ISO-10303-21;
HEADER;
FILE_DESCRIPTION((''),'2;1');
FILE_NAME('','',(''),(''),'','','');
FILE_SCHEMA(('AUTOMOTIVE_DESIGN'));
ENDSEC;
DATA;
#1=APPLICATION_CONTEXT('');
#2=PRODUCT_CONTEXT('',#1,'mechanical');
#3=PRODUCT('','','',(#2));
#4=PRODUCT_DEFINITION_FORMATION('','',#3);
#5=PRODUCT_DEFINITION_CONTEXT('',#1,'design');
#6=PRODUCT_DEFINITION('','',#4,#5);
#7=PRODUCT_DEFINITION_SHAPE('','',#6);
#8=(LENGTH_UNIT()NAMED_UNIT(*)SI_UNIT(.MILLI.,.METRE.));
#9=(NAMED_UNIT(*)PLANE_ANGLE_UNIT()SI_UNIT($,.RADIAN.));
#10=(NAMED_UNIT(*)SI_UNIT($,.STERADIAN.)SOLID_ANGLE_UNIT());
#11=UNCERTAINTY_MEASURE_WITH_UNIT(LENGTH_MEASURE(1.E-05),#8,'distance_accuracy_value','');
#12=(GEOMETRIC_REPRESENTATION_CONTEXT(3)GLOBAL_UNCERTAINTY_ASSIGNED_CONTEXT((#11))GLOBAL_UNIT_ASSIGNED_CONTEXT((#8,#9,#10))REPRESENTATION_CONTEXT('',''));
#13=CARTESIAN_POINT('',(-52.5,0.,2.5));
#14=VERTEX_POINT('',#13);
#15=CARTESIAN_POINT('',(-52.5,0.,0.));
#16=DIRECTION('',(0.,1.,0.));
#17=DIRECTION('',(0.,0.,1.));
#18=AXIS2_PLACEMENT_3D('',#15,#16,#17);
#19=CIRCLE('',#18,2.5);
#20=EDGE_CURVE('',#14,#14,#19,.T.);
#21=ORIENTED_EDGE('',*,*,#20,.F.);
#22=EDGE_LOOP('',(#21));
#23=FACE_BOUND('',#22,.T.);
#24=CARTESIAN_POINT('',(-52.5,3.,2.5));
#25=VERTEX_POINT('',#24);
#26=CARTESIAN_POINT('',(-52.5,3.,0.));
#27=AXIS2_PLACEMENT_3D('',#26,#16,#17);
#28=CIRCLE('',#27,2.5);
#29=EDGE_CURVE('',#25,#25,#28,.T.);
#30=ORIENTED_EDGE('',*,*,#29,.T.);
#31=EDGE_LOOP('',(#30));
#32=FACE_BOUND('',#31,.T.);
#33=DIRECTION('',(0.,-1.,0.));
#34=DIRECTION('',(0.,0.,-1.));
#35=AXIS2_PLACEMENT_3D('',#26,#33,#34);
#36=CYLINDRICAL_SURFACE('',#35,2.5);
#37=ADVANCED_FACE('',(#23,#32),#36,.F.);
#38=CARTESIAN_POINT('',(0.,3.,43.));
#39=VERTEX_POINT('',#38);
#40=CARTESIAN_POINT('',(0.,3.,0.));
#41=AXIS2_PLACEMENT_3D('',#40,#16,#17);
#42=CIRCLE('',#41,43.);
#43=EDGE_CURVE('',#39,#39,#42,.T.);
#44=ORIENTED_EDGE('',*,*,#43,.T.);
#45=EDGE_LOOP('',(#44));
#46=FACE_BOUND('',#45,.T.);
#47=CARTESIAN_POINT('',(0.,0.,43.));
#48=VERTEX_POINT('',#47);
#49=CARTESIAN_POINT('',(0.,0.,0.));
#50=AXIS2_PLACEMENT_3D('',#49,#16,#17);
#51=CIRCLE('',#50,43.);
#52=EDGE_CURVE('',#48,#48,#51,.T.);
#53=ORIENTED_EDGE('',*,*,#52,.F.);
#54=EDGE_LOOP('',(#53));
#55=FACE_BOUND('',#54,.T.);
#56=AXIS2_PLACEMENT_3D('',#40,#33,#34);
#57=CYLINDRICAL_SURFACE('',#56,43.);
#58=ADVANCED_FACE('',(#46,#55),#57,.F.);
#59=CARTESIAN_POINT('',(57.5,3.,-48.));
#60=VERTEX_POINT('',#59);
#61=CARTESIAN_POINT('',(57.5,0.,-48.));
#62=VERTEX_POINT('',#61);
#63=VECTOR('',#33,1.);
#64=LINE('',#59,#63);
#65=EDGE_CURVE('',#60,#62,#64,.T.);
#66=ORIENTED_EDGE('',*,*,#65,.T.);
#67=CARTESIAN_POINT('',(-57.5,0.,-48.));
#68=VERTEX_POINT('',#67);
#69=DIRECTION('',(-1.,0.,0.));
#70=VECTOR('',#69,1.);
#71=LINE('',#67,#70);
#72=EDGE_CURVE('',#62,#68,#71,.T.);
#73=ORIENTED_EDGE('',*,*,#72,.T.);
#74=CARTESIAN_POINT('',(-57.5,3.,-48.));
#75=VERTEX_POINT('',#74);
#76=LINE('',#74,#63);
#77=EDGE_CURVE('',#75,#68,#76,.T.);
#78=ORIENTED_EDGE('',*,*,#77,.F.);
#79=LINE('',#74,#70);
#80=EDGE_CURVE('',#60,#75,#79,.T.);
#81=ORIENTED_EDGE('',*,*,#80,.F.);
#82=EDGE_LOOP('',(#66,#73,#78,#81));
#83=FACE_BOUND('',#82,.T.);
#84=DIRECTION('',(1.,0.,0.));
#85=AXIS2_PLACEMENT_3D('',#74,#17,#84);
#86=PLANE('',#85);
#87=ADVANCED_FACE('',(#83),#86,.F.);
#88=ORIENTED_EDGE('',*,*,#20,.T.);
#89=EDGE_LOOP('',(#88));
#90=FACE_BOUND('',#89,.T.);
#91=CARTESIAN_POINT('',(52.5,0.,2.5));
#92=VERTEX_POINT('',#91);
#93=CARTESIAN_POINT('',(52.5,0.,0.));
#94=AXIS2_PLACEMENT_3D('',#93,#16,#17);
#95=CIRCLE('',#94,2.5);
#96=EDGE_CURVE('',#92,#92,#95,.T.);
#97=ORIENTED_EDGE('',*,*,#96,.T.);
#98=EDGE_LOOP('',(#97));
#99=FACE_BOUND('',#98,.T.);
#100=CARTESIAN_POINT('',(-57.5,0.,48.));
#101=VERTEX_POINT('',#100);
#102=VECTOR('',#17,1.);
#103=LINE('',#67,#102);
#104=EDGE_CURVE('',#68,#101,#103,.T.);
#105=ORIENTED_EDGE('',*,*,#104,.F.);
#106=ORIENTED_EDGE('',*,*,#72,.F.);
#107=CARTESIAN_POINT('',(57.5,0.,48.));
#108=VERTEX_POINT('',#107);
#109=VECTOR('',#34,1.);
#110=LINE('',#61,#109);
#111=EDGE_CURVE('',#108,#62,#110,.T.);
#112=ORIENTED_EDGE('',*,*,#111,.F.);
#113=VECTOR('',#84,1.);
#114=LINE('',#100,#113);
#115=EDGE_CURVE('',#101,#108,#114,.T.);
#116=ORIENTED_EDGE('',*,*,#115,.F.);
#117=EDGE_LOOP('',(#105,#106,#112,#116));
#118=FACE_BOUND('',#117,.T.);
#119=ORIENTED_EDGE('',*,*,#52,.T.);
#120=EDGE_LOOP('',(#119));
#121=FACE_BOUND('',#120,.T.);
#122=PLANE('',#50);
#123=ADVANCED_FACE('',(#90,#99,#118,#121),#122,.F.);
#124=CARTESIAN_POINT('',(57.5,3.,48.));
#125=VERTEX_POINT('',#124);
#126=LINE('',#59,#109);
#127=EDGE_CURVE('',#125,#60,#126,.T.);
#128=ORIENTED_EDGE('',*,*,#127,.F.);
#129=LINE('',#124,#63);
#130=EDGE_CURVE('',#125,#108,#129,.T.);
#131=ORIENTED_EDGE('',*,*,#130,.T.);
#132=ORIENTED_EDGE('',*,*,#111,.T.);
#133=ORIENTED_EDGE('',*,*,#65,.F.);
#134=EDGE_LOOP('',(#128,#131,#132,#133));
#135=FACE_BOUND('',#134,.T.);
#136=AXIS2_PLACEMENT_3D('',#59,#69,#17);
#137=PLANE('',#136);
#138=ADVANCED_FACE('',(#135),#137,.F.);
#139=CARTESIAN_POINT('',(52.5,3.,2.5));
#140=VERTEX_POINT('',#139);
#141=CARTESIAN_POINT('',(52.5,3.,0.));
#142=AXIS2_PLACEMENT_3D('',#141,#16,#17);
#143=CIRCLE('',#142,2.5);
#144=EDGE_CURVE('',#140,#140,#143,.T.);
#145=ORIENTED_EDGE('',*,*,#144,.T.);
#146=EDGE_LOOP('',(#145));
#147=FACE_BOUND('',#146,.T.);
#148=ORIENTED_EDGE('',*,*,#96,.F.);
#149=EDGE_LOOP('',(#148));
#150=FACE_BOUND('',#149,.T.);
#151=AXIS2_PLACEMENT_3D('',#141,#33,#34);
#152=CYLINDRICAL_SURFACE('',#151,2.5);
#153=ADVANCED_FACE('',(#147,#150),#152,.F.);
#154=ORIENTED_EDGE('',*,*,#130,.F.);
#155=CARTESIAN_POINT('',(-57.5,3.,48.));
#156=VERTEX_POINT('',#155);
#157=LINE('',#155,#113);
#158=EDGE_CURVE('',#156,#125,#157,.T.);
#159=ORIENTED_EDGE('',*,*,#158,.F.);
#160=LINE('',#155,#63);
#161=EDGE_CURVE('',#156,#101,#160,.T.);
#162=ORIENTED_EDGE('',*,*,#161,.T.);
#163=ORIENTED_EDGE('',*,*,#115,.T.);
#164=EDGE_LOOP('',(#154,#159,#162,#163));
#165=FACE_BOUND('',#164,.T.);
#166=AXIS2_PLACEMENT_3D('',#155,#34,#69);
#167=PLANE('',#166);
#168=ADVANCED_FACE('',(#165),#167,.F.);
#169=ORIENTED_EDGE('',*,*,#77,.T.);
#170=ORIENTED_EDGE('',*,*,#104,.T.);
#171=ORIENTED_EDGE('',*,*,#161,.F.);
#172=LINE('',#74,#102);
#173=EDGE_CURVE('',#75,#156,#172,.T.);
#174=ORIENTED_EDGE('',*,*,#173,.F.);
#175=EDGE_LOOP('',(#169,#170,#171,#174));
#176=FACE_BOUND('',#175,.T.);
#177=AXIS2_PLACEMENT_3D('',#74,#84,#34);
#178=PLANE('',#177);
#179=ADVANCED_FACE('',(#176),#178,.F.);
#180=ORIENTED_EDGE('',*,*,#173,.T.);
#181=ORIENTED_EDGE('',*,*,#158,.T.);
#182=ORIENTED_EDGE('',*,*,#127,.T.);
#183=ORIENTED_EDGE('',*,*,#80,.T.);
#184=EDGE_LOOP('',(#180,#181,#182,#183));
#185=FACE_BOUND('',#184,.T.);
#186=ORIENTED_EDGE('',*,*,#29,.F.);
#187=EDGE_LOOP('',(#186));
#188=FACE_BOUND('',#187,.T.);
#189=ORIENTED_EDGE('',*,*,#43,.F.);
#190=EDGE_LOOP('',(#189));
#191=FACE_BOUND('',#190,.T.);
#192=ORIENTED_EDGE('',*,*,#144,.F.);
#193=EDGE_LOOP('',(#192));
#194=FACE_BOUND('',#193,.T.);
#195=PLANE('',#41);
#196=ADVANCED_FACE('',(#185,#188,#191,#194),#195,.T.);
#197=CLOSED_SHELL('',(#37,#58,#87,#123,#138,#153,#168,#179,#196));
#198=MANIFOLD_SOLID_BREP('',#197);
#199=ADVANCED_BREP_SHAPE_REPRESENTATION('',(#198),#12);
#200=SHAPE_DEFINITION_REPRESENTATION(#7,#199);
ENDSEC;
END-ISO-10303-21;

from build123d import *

# Parameters (mm, degrees)
SKETCH1_W           = 115
SKETCH1_H           = 96
SKETCH1_R           = 43
SKETCH1_R_2         = 2.5
BOSS_EXTRUDE1_DEPTH = 3


with BuildPart() as part:
    # Sketch1 → Boss-Extrude1 (new body)
    with BuildSketch(Plane(origin=(0, 0, 0), x_dir=(1, 0, 0), z_dir=(0, 1, 0))):
        Rectangle(SKETCH1_W, SKETCH1_H)
        with Locations(Location((0, 0, 0), (0, 0, 270))):
            Circle(SKETCH1_R, mode=Mode.SUBTRACT)
        with Locations(Location((-52.5, 0, 0), (0, 0, 270))):
            Circle(SKETCH1_R_2, mode=Mode.SUBTRACT)
        with Locations(Location((52.5, 0, 0), (0, 0, 270))):
            Circle(SKETCH1_R_2, mode=Mode.SUBTRACT)
    extrude(amount=BOSS_EXTRUDE1_DEPTH)


solid = part.part
